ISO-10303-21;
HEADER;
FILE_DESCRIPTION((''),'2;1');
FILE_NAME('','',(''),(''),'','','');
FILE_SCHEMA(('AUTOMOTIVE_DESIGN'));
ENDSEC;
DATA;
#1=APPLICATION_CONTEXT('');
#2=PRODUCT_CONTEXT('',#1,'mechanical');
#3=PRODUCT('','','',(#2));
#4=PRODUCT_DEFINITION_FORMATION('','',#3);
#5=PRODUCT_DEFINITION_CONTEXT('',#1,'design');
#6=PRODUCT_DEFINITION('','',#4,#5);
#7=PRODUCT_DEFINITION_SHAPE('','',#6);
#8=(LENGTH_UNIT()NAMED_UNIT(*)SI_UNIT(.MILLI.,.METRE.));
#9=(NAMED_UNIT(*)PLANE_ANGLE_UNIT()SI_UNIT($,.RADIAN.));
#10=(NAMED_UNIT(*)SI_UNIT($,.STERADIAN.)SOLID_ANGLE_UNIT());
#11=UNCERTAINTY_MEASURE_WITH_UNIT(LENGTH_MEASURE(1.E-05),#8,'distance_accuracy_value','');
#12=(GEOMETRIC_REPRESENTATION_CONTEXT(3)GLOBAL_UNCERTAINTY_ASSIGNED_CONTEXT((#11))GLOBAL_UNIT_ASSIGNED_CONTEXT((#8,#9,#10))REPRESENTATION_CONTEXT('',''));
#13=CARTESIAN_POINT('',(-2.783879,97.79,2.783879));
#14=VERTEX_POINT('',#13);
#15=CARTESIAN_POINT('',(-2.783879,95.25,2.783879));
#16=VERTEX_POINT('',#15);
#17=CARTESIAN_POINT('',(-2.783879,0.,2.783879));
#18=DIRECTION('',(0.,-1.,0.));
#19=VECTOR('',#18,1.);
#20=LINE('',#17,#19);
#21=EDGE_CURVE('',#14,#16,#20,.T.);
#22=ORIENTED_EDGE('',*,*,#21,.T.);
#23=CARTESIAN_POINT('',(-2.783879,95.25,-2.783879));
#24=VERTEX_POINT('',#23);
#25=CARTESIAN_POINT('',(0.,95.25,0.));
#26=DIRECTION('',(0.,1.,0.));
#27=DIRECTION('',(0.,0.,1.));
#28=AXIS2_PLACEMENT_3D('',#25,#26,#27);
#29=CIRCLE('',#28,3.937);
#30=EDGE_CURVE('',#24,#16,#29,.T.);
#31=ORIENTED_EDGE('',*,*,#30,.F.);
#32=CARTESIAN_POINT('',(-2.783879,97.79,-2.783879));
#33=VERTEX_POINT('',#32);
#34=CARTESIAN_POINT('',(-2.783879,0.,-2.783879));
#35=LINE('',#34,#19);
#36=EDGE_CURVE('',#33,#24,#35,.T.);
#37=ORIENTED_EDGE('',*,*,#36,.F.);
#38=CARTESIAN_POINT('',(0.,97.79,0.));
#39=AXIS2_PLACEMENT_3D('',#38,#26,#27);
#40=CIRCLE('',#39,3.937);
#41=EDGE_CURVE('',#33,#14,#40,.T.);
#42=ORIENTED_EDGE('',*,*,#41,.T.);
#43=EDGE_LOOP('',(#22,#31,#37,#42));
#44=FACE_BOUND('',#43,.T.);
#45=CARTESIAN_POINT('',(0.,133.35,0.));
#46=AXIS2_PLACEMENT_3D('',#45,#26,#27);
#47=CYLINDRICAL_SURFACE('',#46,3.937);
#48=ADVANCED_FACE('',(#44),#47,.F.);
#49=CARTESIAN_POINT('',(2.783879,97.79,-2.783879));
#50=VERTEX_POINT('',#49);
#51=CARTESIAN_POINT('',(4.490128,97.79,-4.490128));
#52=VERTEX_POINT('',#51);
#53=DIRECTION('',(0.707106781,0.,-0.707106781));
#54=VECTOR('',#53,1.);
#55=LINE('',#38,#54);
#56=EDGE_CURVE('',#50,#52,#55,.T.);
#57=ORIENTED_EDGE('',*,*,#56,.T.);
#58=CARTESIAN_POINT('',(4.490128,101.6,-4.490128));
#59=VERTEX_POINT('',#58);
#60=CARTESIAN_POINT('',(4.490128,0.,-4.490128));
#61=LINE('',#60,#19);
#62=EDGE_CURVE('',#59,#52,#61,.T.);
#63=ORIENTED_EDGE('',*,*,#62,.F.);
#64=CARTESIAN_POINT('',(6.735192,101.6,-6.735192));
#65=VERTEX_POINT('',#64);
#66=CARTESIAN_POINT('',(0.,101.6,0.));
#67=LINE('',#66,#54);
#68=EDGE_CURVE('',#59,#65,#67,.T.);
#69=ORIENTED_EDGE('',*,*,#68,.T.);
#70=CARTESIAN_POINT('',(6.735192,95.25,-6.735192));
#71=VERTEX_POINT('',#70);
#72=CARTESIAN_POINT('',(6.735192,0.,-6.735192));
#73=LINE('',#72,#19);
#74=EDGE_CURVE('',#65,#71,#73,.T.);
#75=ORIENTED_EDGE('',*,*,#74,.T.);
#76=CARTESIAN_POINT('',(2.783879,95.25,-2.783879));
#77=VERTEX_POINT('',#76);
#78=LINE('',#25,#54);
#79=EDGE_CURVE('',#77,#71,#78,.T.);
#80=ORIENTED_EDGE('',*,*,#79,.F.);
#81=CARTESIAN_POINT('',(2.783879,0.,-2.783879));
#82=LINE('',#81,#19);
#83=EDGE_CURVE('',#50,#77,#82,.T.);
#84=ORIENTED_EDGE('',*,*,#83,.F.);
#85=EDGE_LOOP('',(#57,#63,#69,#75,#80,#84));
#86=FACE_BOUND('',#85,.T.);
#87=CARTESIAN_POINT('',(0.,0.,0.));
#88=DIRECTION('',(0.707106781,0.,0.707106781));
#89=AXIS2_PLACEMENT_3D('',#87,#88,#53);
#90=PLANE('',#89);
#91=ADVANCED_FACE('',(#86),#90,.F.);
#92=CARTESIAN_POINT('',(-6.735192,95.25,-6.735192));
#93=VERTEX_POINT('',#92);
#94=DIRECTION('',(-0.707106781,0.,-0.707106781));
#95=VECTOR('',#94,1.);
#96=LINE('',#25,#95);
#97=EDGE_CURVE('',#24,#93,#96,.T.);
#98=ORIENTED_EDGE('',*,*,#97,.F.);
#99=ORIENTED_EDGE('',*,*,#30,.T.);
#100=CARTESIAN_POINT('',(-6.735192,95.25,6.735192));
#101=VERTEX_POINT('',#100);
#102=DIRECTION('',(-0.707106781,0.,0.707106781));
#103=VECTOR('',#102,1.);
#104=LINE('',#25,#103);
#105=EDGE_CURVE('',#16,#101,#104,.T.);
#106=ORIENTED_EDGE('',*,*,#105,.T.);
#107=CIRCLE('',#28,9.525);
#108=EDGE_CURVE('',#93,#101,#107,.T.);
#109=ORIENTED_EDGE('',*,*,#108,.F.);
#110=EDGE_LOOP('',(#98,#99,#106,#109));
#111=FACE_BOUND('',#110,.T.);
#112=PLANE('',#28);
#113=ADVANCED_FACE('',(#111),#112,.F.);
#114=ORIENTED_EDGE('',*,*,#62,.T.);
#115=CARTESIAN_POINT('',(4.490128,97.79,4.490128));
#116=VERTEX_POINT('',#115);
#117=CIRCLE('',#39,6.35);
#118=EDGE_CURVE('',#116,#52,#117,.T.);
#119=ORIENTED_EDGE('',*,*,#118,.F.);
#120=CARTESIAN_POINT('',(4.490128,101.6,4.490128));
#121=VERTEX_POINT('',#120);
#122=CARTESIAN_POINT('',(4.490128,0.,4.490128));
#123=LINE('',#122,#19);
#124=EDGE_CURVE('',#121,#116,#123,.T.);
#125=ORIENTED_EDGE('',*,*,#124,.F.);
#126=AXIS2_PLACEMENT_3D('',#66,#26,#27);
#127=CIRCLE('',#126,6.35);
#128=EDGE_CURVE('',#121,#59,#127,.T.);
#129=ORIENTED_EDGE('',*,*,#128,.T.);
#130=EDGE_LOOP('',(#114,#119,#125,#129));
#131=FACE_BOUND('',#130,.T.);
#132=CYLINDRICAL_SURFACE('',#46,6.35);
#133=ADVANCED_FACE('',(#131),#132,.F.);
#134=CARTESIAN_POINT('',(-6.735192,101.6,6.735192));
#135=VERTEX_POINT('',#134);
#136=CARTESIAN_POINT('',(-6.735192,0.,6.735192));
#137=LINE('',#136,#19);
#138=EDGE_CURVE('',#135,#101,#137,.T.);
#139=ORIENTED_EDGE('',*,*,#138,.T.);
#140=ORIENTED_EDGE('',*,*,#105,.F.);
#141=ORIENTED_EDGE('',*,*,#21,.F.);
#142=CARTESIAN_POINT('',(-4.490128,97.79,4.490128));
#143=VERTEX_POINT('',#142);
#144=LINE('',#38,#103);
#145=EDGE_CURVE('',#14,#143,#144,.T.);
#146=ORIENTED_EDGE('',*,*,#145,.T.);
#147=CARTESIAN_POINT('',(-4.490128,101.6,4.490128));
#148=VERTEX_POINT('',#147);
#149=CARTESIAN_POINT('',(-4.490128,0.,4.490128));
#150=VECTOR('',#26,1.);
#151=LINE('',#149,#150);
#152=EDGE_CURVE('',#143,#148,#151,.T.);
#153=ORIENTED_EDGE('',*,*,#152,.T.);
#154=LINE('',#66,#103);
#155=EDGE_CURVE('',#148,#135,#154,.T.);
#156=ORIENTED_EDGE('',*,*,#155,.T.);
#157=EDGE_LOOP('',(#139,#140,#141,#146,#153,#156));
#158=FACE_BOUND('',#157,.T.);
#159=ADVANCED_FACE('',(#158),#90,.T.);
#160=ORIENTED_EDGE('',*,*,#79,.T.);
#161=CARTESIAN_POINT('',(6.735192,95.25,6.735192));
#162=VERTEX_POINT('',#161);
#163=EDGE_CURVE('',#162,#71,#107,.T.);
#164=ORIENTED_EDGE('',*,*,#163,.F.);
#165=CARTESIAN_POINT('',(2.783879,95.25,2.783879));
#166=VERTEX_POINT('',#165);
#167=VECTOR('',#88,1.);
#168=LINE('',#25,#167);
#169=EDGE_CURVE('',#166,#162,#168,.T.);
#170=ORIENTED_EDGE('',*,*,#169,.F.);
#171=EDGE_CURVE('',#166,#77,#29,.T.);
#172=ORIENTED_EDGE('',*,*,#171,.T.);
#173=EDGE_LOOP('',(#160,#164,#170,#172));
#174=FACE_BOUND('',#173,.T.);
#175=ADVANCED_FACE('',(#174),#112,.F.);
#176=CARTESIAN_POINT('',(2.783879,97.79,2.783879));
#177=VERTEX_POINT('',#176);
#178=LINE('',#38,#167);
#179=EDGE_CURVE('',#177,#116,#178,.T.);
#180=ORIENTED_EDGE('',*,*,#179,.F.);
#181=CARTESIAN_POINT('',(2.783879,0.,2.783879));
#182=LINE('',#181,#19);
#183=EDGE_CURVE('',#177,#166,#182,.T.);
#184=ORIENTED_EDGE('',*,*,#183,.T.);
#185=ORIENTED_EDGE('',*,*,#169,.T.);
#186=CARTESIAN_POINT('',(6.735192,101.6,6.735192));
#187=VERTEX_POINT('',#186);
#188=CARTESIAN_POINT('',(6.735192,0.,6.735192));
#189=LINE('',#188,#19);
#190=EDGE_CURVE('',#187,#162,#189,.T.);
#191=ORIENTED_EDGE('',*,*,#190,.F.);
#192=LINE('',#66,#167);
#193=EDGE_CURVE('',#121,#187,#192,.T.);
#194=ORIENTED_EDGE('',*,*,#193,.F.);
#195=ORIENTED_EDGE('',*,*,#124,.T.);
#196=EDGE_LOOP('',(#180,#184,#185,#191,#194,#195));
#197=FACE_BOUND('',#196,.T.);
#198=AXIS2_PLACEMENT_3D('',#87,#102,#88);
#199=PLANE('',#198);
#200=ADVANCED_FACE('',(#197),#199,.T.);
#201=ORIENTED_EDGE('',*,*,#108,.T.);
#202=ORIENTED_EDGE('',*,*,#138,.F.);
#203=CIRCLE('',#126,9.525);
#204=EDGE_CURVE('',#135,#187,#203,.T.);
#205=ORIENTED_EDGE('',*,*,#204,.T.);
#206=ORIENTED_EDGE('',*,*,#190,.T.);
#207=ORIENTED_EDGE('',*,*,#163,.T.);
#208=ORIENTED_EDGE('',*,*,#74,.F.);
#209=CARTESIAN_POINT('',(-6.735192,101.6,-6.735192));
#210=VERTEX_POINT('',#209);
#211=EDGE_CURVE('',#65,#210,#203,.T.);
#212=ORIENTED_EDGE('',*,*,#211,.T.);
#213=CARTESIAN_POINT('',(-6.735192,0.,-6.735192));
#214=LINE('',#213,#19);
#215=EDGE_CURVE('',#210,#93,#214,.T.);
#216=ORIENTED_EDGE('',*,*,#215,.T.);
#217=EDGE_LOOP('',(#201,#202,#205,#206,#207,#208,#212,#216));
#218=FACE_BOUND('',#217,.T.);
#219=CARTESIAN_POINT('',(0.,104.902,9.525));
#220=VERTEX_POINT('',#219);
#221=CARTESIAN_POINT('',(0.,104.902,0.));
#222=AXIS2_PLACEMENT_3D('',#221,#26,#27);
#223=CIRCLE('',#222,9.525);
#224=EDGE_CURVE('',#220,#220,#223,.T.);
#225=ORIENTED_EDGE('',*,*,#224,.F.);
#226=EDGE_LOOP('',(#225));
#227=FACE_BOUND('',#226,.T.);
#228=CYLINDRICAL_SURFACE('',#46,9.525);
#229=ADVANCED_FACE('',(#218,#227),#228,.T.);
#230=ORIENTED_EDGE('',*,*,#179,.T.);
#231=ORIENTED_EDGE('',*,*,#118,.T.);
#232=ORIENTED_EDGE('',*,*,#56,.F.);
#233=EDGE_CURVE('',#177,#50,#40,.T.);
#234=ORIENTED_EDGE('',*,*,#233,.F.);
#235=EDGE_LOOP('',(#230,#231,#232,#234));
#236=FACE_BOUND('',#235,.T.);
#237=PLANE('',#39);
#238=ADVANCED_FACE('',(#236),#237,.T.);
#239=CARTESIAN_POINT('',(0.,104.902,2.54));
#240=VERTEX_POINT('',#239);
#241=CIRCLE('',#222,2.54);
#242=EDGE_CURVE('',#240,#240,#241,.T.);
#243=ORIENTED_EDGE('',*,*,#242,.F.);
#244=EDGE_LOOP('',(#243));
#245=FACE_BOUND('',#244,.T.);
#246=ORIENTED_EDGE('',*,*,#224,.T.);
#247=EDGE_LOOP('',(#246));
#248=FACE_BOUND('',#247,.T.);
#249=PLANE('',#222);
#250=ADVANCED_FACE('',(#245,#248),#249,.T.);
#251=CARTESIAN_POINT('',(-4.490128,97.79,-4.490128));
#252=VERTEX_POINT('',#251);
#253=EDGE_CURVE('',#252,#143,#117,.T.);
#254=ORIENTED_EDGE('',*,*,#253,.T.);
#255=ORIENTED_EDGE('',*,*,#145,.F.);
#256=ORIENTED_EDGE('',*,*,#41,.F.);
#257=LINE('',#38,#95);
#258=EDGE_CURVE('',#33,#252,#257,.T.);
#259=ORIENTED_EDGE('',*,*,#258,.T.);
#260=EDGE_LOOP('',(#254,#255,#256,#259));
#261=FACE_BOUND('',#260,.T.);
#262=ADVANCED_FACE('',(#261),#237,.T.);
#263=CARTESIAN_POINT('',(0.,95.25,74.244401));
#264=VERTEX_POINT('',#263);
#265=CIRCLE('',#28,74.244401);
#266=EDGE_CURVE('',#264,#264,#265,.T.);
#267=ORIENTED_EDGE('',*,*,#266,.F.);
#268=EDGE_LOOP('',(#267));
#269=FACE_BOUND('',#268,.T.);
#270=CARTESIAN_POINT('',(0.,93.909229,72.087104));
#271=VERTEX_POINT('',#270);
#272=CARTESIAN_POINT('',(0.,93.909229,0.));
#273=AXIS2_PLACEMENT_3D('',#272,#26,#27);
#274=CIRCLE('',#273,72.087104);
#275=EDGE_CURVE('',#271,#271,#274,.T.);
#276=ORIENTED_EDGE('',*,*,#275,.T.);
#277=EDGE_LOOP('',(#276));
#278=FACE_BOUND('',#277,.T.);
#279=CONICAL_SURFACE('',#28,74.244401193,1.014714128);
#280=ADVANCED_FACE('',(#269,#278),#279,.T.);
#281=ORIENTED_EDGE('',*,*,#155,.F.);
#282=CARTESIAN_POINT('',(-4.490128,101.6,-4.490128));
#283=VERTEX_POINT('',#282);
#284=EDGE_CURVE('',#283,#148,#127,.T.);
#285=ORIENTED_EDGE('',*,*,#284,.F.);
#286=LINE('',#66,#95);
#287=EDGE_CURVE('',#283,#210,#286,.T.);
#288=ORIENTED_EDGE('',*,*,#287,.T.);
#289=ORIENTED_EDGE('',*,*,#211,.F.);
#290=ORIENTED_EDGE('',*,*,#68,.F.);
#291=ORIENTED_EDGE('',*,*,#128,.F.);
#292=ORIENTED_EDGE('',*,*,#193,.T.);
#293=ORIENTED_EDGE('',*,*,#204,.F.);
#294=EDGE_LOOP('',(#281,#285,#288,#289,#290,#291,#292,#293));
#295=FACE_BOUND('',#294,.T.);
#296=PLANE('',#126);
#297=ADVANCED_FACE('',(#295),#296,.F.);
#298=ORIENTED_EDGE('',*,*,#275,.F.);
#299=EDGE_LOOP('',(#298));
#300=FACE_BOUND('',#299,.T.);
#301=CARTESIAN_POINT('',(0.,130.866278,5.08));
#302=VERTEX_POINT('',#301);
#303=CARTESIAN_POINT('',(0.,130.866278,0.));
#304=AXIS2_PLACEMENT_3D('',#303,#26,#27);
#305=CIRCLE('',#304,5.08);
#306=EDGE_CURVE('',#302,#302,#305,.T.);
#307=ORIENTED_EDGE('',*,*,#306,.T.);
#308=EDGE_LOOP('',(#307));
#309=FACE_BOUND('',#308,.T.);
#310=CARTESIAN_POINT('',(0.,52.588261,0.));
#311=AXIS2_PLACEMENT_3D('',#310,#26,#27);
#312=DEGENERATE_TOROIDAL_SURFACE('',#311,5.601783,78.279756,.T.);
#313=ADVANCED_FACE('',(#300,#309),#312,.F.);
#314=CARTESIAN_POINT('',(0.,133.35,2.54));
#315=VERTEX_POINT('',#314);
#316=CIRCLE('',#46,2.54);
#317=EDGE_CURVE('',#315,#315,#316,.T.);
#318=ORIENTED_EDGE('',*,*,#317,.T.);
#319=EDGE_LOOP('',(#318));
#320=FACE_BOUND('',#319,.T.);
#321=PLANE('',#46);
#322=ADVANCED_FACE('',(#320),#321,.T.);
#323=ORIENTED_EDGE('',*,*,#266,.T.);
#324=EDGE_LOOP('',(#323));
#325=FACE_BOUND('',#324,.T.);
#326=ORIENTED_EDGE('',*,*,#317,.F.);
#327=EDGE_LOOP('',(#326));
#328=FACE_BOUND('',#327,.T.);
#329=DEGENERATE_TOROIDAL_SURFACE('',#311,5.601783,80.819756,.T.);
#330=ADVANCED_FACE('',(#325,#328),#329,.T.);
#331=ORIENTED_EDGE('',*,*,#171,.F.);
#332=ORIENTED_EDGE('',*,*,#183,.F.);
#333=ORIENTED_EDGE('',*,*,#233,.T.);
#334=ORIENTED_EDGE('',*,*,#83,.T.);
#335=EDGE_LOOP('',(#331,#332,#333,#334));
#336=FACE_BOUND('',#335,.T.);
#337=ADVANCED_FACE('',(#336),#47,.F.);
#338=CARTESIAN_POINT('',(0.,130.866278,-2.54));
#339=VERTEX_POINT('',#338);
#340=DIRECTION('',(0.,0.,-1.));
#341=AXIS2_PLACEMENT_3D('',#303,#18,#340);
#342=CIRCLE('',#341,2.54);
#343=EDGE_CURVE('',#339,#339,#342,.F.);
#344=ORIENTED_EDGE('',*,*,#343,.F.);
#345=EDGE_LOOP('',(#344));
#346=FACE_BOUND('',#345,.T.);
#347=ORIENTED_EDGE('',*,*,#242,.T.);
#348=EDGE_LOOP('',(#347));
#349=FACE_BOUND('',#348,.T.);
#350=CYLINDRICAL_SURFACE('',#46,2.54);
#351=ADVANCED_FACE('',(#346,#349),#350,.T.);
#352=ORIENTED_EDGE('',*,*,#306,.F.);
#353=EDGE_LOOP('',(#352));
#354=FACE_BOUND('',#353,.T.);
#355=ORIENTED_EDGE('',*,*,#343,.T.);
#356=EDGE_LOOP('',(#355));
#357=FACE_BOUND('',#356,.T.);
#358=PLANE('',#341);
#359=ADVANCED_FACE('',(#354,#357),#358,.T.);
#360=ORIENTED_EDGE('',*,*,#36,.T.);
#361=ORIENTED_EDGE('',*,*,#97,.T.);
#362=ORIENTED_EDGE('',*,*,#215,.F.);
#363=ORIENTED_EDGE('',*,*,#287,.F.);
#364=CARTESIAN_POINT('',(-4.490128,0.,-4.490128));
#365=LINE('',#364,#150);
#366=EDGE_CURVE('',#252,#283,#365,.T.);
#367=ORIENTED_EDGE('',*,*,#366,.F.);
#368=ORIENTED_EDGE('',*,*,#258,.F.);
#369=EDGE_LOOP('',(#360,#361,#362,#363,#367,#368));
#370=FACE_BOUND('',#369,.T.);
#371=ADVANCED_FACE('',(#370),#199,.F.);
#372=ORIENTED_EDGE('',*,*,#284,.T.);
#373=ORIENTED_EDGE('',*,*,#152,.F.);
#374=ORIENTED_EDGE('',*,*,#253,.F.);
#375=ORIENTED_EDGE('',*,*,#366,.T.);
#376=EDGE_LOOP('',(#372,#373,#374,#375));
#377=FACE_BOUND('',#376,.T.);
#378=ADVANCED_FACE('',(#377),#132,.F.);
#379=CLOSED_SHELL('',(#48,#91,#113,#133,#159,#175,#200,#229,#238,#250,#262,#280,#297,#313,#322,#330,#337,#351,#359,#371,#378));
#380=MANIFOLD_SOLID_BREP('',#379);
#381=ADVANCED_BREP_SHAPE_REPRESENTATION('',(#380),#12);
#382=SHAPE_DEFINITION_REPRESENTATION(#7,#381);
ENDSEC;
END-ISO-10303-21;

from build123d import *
from build123d.topology import SkipClean

# Parameters (mm, degrees)
REVOLVE5_ANGLE = 90
SKETCH1_24_W   = 2.54
SKETCH1_24_H   = 28.448


with BuildPart() as part:
    # Sketch1 → Revolve4 (revolve)
    with BuildSketch(Plane.XY):
        Polygon((9.525, 101.6), (9.525, 104.902), (2.54, 104.902), (0, 104.902), (0, 101.6), (6.35, 101.6), align=None)
    revolve(axis=Axis((0, 133.35, 0), (0, -1, 0)))

    # Sketch1<21> → Revolve5 (revolve, symmetric)
    with SkipClean():  # the faces are left unmerged after this step: merging them gives an invalid solid
        with BuildSketch(Plane.XY) as revolve5_sk:
            Polygon((9.525, 95.25), (9.525, 101.6), (6.35, 101.6), (6.35, 97.79), (3.937, 97.79), (3.937, 95.25), align=None)
            Polygon((-6.35, 97.79), (-6.35, 101.6), (-9.525, 101.6), (-9.525, 95.25), (-3.937, 95.25), (-3.937, 97.79), align=None)
        revolve(axis=Axis((0, 133.35, 0), (0, -1, 0)), revolution_arc=REVOLVE5_ANGLE / 2)
        revolve(revolve5_sk.sketch, axis=Axis((0, 133.35, 0), (0, 1, 0)), revolution_arc=REVOLVE5_ANGLE / 2)

    # Sketch1<24> → Revolve7 (revolve)
    with SkipClean():  # the faces are left unmerged after this step: merging them gives an invalid solid
        with BuildSketch(Plane.XY):
            with Locations((1.27, 119.126)):
                Rectangle(SKETCH1_24_W, SKETCH1_24_H)
        revolve(axis=Axis((0, 133.35, 0), (0, -1, 0)))

    # Sketch1<32> → Revolve8 (revolve)
    with SkipClean():  # the faces are left unmerged after this step: merging them gives an invalid solid
        with BuildSketch(Plane.XY):
            with BuildLine():
                ThreePointArc((7.619929338, 133.38281581), (5.07970677, 133.406330996), (2.54, 133.35))
                Line((2.54, 133.35), (0, 133.35))
                Line((0, 133.35), (0, 130.866278235))
                Line((0, 130.866278235), (5.08, 130.866278235))
                ThreePointArc((5.08, 130.866278235), (6.350063158, 130.864440752), (7.619929338, 130.841997813))
                Line((7.619929338, 130.841997813), (7.619929338, 133.38281581))
            make_face()
        revolve(axis=Axis((0, 133.35, 0), (0, -1, 0)))

    # Sketch1<36> → Revolve9 (revolve)
    with SkipClean():  # the faces are left unmerged after this step: merging them gives an invalid solid
        with BuildSketch(Plane.XY):
            with BuildLine():
                Line((7.619929338, 133.38281581), (7.619929338, 130.841997813))
                ThreePointArc((7.619929338, 130.841997813), (44.514359536, 120.511244071), (72.087103792, 93.909228608))
                Line((72.087103792, 93.909228608), (74.244401193, 95.25))
                ThreePointArc((74.244401193, 95.25), (45.748561471, 122.731465818), (7.619929338, 133.38281581))
            make_face()
        revolve(axis=Axis((0, 133.35, 0), (0, -1, 0)))


solid = part.part
